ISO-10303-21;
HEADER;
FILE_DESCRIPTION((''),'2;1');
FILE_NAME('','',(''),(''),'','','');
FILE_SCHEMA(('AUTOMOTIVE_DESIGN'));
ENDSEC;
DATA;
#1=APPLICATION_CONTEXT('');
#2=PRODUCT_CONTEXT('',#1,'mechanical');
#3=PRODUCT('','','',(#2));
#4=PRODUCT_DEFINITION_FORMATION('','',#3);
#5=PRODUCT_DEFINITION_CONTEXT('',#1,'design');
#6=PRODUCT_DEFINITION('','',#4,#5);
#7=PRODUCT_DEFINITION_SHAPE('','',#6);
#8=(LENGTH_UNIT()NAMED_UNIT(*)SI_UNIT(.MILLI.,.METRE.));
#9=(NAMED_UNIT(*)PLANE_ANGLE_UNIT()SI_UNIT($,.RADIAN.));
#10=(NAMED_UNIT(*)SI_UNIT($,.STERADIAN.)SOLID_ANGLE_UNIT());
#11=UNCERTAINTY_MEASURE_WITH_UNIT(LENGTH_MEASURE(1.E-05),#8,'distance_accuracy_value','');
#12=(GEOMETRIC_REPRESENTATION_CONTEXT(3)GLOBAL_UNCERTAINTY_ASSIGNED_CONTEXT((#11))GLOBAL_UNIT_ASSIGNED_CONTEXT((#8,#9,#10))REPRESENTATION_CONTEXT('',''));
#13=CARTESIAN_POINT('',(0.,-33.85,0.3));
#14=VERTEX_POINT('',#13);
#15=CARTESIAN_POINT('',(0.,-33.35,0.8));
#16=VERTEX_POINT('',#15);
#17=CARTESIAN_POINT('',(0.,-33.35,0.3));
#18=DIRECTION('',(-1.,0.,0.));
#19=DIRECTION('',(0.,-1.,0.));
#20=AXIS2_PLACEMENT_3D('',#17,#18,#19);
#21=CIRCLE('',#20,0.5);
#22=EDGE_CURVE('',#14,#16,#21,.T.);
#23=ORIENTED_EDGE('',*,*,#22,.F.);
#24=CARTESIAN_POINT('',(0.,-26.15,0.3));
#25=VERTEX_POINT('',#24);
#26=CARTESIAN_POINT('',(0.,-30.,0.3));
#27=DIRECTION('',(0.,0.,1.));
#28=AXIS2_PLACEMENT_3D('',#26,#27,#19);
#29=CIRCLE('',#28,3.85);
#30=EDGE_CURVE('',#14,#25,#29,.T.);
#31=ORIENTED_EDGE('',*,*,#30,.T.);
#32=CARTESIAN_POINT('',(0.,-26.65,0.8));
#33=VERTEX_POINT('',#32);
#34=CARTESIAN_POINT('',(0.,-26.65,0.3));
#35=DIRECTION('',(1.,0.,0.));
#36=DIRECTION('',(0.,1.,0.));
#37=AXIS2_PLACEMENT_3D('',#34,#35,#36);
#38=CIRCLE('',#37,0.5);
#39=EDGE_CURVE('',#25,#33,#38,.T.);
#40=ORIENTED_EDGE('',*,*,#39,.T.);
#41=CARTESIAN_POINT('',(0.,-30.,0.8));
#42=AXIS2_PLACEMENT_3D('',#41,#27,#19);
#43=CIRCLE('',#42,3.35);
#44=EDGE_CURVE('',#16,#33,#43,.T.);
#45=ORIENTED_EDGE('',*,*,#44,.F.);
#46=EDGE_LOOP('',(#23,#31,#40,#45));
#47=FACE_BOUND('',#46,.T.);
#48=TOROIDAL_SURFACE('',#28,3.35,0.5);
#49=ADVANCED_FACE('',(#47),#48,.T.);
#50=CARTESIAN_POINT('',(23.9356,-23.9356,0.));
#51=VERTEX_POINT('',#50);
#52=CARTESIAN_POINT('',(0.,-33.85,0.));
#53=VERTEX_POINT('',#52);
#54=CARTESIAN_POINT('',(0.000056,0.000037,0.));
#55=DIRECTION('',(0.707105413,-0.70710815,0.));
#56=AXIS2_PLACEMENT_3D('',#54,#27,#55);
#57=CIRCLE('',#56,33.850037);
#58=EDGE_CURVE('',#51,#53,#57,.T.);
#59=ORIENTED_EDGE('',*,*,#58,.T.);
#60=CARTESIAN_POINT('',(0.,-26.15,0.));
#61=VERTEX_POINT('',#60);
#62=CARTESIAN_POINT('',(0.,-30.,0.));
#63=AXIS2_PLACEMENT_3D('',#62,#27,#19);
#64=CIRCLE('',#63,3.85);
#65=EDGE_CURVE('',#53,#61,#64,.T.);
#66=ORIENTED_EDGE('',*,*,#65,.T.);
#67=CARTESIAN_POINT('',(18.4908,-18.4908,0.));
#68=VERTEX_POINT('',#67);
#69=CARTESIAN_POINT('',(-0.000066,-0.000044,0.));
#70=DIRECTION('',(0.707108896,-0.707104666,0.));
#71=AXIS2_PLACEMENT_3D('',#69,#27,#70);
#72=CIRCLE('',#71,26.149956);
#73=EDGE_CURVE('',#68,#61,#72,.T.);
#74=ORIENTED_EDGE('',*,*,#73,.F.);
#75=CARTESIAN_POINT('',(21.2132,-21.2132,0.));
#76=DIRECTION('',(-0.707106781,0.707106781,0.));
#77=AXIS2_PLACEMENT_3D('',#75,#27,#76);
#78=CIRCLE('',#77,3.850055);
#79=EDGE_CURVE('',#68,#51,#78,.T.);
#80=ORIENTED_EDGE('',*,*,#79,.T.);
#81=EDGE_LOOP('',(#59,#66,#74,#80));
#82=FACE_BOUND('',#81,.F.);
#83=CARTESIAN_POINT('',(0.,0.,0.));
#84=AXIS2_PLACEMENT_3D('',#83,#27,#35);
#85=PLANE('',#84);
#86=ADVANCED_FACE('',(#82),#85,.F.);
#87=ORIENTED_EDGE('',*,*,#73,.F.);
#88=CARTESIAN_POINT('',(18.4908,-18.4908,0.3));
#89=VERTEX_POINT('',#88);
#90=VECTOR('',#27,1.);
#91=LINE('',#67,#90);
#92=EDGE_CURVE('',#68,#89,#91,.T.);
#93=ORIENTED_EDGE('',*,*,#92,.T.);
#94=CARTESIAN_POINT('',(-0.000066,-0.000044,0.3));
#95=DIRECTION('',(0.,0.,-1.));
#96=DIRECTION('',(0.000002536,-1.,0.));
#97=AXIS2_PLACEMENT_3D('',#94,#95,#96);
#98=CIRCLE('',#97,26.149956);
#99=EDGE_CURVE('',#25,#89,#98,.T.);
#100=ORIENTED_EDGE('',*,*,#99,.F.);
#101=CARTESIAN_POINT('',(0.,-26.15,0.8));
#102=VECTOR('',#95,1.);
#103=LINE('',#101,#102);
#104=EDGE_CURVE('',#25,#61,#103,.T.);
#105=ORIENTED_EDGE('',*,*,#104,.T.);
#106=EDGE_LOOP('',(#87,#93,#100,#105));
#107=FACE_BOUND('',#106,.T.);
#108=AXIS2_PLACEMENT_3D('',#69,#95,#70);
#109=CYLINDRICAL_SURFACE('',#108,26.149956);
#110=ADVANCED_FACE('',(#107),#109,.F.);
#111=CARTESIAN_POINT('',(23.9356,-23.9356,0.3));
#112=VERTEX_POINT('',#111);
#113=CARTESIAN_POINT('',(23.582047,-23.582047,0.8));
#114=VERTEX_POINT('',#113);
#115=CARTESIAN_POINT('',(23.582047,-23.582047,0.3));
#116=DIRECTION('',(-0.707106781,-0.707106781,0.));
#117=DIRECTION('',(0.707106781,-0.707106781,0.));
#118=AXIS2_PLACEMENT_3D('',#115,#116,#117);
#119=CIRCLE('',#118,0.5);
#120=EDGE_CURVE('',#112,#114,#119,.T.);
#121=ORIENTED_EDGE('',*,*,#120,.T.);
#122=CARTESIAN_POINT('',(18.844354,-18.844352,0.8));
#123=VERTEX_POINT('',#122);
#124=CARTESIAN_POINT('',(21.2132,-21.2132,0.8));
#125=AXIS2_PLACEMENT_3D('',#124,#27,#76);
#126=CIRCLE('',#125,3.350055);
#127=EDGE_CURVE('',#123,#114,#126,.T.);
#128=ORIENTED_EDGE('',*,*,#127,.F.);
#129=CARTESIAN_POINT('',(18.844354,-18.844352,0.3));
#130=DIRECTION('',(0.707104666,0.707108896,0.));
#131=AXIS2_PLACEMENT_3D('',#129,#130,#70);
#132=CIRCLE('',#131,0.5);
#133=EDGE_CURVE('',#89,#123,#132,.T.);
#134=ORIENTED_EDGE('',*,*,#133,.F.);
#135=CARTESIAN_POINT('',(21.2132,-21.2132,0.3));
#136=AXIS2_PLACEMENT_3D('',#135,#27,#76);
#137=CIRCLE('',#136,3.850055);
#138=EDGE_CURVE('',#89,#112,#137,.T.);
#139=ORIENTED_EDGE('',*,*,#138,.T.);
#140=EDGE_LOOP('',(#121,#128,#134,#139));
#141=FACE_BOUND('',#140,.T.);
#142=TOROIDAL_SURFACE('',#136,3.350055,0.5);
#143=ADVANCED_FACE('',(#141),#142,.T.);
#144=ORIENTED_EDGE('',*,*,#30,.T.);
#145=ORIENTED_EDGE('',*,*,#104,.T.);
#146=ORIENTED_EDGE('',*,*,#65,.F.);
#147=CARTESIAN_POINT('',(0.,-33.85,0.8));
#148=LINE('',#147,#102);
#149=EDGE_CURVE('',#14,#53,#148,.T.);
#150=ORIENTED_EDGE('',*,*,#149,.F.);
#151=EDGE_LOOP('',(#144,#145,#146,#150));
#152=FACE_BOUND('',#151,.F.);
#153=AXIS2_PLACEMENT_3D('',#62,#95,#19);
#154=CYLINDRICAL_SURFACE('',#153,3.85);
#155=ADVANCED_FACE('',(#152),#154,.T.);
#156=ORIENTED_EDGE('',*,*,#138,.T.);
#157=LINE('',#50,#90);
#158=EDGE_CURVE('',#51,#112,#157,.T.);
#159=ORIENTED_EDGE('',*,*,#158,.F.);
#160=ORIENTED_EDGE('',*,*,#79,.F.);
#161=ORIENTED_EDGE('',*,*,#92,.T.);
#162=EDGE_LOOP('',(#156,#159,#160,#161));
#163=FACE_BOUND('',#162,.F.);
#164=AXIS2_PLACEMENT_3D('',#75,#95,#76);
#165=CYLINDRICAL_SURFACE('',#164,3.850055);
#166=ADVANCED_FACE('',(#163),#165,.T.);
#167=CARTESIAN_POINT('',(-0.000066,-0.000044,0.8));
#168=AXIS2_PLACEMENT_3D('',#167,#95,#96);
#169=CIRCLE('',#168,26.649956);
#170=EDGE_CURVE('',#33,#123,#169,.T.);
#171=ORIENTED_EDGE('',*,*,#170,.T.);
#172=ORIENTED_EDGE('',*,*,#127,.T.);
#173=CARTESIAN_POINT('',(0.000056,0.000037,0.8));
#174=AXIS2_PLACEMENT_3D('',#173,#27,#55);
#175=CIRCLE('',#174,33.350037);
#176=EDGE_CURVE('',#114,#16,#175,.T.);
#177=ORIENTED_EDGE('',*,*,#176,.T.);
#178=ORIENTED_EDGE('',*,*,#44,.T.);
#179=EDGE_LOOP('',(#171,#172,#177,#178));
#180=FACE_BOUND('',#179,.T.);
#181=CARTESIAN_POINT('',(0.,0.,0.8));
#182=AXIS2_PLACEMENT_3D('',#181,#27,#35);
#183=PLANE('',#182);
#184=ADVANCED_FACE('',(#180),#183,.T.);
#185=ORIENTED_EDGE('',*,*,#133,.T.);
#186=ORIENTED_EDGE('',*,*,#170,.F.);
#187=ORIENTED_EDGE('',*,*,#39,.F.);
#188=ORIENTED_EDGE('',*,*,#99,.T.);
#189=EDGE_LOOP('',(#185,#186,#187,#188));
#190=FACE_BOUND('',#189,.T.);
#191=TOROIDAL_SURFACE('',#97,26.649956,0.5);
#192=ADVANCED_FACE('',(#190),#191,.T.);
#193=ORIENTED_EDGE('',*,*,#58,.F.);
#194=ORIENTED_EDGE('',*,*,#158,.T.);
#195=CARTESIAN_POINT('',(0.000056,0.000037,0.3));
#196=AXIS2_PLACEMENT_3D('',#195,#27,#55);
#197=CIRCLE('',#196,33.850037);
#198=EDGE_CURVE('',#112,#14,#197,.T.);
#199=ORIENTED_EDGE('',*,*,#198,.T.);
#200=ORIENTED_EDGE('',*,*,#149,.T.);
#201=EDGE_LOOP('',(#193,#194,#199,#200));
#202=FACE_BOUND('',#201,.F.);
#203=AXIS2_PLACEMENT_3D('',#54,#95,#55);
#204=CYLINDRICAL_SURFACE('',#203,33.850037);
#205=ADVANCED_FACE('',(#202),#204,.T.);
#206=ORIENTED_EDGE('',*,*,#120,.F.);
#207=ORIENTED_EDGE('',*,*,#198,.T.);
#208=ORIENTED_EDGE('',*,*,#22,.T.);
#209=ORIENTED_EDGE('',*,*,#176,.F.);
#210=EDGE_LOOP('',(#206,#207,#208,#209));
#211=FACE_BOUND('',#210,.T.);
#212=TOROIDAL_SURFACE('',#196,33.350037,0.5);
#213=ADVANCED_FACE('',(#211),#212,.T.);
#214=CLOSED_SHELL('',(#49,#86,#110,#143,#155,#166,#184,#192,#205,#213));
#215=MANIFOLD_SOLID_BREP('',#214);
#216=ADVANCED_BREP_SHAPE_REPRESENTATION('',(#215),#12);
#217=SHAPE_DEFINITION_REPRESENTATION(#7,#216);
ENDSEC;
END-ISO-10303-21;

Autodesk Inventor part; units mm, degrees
ref_plane "YZ Plane" through (0, 0, 0) normal (1, 0, 0) x (0, 1, 0)
ref_plane "XZ Plane" through (0, 0, 0) normal (0, 1, 0) x (-1, 0, 0)
ref_plane "XY Plane" through (0, 0, 0) normal (0, 0, 1) x (1, 0, 0)
sketch "Block1" plane through (0, 0, 0) normal (0, 0, 1) x (1, 0, 0)
  circle A0 centre (250, 0) radius 40 construction
  arc A1 (284, 0) -> (274.0416, -24.0416) centre (250, 0) ccw construction
  circle A2 centre (250, 0) radius 10.05 construction
  arc A3 (276, 0) -> (268.3848, -18.3848) centre (250, 0) ccw construction
  circle A4 centre (280, 0) radius 1.6 construction
  arc A5 (276, 0) -> (284, 0) centre (280, 0) ccw construction
  circle A6 centre (271.2132, -21.2132) radius 1.6 construction
  arc A7 (274.0416, -24.0416) -> (268.3848, -18.3848) centre (271.2132, -21.2132) ccw construction
  point P0 (269.205, -7.955)
  dimension "d0" = 8
sketch "Sketch1" plane through (0, 0, 0) normal (0, 0, 1) x (1, 0, 0)
  arc A0 (18.4908, -18.4908) -> (0, -26.15) centre (0, 0) ccw
  arc A1 (23.9356, -23.9356) -> (0, -33.85) centre (0, 0) ccw
  arc A2 (0, -33.85) -> (0, -26.15) centre (0, -30) ccw
  circle A3 centre (0, -30) radius 2.9
  arc A4 (18.4908, -18.4908) -> (23.9356, -23.9356) centre (21.2132, -21.2132) ccw
  circle A5 centre (21.2132, -21.2132) radius 2.9
  circle A6 centre (30, 0) radius 2.9
  circle A7 centre (21.2132, 21.2132) radius 2.9
  circle A8 centre (0, 30) radius 2.9
  circle A9 centre (-21.2132, 21.2132) radius 2.9
  circle A10 centre (-30, 0) radius 2.9
  circle A11 centre (-21.2132, -21.2132) radius 2.9
  point P0 (0, 0)
  point P1 (0, 0)
  dimension "d1" = 0.15
  dimension "d2" = 5.8
  dimension "d5" = 360
extrude "Extrusion1" add sketch "Sketch1" along normal blind 0.2
sketch "Sketch2" plane through (0, 0, 0.2) normal (0, 0, 1) x (1, 0, 0)
  arc A0 (23.9356, -23.9356) -> (0, -33.85) centre (0, 0) ccw projected
  arc A1 (0, -33.85) -> (0, -26.15) centre (0, -30) ccw projected
  arc A2 (18.4908, -18.4908) -> (0, -26.15) centre (0, 0) ccw projected
  arc A3 (18.4908, -18.4908) -> (23.9356, -23.9356) centre (21.2132, -21.2132) ccw projected
  circle A4 centre (0, 30) radius 2.9 projected
  circle A5 centre (30, 0) radius 2.9 projected
  circle A6 centre (21.2132, -21.2132) radius 2.9 projected
  circle A7 centre (-30, 0) radius 2.9 projected
  circle A8 centre (-21.2132, -21.2132) radius 2.9 projected
  circle A9 centre (-21.2132, 21.2132) radius 2.9 projected
  circle A10 centre (21.2132, 21.2132) radius 2.9 projected
  circle A11 centre (0, -30) radius 2.9 projected
  point P0 (0, 0)
extrude "Extrusion2" add sketch "Sketch2" along normal blind 0.6 contours A3 A2 A1 A0 | A4 | A5 | A6 | A7 | A8 | A9 | A10 | A11
fillet "Fillet1" radius 0.5 4 edges at (3.85, -30, 0.8) (-10.0072, 24.1594, 0.8) (18.4908, -23.9356, 0.8) (-12.9538, 31.2733, 0.8)
sketch "Sketch3" plane through (0, 0, 0) normal (0, 0, -1) x (-1, 0, 0)
  circle A0 centre (0, -30) radius 2.9 projected
  circle A1 centre (-21.2132, -21.2132) radius 2.9 projected
  circle A2 centre (-30, 0) radius 2.9 projected
  circle A3 centre (-21.2132, 21.2132) radius 2.9 projected
  circle A4 centre (0, 30) radius 2.9 projected
  circle A5 centre (21.2132, 21.2132) radius 2.9 projected
  circle A6 centre (30, 0) radius 2.9 projected
  circle A7 centre (21.2132, -21.2132) radius 2.9 projected
  point P0 (0, 0)
extrude "Extrusion3" add sketch "Sketch3" against normal up to surface (0.2 mm away)
properties part number "LogoCoverThin"
